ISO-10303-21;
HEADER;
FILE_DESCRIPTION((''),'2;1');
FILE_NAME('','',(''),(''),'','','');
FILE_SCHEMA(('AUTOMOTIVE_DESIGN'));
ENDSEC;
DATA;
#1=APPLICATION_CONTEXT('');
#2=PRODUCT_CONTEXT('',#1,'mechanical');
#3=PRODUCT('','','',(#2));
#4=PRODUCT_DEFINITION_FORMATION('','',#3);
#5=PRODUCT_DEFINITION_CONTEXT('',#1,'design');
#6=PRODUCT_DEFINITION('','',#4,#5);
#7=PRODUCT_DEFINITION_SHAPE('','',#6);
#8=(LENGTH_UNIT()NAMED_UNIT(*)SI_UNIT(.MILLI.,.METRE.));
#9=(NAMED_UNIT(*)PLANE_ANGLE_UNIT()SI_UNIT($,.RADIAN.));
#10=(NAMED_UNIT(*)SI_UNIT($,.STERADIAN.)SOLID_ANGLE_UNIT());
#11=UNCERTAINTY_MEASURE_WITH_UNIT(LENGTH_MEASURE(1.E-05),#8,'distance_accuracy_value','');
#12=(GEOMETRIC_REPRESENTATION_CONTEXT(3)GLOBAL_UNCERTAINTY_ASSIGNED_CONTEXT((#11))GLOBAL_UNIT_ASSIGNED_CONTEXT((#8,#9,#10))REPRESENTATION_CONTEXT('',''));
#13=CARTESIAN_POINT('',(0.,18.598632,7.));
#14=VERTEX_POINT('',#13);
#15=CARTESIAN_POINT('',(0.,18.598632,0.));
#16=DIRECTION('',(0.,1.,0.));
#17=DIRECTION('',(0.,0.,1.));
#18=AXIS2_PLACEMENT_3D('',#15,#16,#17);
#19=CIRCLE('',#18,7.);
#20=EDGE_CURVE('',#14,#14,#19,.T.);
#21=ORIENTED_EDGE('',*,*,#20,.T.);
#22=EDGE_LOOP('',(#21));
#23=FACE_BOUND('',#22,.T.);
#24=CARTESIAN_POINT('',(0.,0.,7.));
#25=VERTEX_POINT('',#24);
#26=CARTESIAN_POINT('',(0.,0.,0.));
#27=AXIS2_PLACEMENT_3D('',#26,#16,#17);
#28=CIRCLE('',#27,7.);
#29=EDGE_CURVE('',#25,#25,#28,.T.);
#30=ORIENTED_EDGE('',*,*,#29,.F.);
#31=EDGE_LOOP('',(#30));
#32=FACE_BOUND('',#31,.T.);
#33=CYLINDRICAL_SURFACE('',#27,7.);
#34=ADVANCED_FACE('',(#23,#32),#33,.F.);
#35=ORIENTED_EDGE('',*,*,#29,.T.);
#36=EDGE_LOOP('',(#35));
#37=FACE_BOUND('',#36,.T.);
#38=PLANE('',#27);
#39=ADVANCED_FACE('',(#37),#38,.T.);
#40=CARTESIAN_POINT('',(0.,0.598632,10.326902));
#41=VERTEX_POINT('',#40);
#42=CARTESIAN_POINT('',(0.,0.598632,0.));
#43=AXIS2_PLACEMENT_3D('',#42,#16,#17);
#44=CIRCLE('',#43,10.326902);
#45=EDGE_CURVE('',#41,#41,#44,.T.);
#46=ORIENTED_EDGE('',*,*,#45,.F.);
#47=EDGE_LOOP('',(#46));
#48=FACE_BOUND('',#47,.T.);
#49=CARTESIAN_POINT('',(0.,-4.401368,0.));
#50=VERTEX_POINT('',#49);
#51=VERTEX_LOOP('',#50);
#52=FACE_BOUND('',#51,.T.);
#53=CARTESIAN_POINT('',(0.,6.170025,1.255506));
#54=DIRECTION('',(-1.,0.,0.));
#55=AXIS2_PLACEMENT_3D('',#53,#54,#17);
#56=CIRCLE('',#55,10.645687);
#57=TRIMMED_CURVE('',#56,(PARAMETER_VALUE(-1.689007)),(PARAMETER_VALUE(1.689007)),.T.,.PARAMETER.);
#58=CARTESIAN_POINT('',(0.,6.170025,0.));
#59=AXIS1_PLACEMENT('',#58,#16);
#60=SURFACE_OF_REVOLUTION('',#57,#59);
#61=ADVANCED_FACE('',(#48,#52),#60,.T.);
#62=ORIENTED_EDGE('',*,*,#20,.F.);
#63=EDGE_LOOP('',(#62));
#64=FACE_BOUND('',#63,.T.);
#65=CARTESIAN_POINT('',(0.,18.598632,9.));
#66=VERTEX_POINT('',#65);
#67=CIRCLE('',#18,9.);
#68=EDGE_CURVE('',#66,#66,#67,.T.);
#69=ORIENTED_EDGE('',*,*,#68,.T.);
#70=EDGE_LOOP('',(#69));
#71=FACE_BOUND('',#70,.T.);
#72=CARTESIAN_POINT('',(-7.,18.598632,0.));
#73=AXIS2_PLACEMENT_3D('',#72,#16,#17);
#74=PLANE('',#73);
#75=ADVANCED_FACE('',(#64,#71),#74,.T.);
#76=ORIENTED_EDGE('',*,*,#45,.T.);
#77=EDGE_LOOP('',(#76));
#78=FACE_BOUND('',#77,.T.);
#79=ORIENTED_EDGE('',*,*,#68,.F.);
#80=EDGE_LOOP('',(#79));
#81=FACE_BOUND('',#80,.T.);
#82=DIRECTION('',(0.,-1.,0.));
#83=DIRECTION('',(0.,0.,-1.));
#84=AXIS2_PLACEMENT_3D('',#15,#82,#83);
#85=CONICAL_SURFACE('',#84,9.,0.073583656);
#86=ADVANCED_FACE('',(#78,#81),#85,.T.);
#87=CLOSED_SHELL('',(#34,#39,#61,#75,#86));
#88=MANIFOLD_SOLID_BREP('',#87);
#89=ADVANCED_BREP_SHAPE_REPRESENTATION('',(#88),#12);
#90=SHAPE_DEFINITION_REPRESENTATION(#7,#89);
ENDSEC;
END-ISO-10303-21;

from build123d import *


with BuildPart() as part:
    # Sketch1 → Revolve1 (revolve)
    with BuildSketch(Plane.XY):
        with BuildLine():
            Line((0, 0), (-7, 0))
            Line((-7, 0), (-7, 18.59863153))
            Line((-7, 18.59863153), (-9, 18.59863153))
            Line((-9, 18.59863153), (-10.326901538, 0.59863153))
            ThreePointArc((-10.326901538, 0.59863153), (-5.894690382, -3.411656367), (0, -4.40136847))
            Line((0, -4.40136847), (0, 0))
        make_face()
    revolve(axis=Axis((0, 0, 0), (0, -1, 0)))


solid = part.part
